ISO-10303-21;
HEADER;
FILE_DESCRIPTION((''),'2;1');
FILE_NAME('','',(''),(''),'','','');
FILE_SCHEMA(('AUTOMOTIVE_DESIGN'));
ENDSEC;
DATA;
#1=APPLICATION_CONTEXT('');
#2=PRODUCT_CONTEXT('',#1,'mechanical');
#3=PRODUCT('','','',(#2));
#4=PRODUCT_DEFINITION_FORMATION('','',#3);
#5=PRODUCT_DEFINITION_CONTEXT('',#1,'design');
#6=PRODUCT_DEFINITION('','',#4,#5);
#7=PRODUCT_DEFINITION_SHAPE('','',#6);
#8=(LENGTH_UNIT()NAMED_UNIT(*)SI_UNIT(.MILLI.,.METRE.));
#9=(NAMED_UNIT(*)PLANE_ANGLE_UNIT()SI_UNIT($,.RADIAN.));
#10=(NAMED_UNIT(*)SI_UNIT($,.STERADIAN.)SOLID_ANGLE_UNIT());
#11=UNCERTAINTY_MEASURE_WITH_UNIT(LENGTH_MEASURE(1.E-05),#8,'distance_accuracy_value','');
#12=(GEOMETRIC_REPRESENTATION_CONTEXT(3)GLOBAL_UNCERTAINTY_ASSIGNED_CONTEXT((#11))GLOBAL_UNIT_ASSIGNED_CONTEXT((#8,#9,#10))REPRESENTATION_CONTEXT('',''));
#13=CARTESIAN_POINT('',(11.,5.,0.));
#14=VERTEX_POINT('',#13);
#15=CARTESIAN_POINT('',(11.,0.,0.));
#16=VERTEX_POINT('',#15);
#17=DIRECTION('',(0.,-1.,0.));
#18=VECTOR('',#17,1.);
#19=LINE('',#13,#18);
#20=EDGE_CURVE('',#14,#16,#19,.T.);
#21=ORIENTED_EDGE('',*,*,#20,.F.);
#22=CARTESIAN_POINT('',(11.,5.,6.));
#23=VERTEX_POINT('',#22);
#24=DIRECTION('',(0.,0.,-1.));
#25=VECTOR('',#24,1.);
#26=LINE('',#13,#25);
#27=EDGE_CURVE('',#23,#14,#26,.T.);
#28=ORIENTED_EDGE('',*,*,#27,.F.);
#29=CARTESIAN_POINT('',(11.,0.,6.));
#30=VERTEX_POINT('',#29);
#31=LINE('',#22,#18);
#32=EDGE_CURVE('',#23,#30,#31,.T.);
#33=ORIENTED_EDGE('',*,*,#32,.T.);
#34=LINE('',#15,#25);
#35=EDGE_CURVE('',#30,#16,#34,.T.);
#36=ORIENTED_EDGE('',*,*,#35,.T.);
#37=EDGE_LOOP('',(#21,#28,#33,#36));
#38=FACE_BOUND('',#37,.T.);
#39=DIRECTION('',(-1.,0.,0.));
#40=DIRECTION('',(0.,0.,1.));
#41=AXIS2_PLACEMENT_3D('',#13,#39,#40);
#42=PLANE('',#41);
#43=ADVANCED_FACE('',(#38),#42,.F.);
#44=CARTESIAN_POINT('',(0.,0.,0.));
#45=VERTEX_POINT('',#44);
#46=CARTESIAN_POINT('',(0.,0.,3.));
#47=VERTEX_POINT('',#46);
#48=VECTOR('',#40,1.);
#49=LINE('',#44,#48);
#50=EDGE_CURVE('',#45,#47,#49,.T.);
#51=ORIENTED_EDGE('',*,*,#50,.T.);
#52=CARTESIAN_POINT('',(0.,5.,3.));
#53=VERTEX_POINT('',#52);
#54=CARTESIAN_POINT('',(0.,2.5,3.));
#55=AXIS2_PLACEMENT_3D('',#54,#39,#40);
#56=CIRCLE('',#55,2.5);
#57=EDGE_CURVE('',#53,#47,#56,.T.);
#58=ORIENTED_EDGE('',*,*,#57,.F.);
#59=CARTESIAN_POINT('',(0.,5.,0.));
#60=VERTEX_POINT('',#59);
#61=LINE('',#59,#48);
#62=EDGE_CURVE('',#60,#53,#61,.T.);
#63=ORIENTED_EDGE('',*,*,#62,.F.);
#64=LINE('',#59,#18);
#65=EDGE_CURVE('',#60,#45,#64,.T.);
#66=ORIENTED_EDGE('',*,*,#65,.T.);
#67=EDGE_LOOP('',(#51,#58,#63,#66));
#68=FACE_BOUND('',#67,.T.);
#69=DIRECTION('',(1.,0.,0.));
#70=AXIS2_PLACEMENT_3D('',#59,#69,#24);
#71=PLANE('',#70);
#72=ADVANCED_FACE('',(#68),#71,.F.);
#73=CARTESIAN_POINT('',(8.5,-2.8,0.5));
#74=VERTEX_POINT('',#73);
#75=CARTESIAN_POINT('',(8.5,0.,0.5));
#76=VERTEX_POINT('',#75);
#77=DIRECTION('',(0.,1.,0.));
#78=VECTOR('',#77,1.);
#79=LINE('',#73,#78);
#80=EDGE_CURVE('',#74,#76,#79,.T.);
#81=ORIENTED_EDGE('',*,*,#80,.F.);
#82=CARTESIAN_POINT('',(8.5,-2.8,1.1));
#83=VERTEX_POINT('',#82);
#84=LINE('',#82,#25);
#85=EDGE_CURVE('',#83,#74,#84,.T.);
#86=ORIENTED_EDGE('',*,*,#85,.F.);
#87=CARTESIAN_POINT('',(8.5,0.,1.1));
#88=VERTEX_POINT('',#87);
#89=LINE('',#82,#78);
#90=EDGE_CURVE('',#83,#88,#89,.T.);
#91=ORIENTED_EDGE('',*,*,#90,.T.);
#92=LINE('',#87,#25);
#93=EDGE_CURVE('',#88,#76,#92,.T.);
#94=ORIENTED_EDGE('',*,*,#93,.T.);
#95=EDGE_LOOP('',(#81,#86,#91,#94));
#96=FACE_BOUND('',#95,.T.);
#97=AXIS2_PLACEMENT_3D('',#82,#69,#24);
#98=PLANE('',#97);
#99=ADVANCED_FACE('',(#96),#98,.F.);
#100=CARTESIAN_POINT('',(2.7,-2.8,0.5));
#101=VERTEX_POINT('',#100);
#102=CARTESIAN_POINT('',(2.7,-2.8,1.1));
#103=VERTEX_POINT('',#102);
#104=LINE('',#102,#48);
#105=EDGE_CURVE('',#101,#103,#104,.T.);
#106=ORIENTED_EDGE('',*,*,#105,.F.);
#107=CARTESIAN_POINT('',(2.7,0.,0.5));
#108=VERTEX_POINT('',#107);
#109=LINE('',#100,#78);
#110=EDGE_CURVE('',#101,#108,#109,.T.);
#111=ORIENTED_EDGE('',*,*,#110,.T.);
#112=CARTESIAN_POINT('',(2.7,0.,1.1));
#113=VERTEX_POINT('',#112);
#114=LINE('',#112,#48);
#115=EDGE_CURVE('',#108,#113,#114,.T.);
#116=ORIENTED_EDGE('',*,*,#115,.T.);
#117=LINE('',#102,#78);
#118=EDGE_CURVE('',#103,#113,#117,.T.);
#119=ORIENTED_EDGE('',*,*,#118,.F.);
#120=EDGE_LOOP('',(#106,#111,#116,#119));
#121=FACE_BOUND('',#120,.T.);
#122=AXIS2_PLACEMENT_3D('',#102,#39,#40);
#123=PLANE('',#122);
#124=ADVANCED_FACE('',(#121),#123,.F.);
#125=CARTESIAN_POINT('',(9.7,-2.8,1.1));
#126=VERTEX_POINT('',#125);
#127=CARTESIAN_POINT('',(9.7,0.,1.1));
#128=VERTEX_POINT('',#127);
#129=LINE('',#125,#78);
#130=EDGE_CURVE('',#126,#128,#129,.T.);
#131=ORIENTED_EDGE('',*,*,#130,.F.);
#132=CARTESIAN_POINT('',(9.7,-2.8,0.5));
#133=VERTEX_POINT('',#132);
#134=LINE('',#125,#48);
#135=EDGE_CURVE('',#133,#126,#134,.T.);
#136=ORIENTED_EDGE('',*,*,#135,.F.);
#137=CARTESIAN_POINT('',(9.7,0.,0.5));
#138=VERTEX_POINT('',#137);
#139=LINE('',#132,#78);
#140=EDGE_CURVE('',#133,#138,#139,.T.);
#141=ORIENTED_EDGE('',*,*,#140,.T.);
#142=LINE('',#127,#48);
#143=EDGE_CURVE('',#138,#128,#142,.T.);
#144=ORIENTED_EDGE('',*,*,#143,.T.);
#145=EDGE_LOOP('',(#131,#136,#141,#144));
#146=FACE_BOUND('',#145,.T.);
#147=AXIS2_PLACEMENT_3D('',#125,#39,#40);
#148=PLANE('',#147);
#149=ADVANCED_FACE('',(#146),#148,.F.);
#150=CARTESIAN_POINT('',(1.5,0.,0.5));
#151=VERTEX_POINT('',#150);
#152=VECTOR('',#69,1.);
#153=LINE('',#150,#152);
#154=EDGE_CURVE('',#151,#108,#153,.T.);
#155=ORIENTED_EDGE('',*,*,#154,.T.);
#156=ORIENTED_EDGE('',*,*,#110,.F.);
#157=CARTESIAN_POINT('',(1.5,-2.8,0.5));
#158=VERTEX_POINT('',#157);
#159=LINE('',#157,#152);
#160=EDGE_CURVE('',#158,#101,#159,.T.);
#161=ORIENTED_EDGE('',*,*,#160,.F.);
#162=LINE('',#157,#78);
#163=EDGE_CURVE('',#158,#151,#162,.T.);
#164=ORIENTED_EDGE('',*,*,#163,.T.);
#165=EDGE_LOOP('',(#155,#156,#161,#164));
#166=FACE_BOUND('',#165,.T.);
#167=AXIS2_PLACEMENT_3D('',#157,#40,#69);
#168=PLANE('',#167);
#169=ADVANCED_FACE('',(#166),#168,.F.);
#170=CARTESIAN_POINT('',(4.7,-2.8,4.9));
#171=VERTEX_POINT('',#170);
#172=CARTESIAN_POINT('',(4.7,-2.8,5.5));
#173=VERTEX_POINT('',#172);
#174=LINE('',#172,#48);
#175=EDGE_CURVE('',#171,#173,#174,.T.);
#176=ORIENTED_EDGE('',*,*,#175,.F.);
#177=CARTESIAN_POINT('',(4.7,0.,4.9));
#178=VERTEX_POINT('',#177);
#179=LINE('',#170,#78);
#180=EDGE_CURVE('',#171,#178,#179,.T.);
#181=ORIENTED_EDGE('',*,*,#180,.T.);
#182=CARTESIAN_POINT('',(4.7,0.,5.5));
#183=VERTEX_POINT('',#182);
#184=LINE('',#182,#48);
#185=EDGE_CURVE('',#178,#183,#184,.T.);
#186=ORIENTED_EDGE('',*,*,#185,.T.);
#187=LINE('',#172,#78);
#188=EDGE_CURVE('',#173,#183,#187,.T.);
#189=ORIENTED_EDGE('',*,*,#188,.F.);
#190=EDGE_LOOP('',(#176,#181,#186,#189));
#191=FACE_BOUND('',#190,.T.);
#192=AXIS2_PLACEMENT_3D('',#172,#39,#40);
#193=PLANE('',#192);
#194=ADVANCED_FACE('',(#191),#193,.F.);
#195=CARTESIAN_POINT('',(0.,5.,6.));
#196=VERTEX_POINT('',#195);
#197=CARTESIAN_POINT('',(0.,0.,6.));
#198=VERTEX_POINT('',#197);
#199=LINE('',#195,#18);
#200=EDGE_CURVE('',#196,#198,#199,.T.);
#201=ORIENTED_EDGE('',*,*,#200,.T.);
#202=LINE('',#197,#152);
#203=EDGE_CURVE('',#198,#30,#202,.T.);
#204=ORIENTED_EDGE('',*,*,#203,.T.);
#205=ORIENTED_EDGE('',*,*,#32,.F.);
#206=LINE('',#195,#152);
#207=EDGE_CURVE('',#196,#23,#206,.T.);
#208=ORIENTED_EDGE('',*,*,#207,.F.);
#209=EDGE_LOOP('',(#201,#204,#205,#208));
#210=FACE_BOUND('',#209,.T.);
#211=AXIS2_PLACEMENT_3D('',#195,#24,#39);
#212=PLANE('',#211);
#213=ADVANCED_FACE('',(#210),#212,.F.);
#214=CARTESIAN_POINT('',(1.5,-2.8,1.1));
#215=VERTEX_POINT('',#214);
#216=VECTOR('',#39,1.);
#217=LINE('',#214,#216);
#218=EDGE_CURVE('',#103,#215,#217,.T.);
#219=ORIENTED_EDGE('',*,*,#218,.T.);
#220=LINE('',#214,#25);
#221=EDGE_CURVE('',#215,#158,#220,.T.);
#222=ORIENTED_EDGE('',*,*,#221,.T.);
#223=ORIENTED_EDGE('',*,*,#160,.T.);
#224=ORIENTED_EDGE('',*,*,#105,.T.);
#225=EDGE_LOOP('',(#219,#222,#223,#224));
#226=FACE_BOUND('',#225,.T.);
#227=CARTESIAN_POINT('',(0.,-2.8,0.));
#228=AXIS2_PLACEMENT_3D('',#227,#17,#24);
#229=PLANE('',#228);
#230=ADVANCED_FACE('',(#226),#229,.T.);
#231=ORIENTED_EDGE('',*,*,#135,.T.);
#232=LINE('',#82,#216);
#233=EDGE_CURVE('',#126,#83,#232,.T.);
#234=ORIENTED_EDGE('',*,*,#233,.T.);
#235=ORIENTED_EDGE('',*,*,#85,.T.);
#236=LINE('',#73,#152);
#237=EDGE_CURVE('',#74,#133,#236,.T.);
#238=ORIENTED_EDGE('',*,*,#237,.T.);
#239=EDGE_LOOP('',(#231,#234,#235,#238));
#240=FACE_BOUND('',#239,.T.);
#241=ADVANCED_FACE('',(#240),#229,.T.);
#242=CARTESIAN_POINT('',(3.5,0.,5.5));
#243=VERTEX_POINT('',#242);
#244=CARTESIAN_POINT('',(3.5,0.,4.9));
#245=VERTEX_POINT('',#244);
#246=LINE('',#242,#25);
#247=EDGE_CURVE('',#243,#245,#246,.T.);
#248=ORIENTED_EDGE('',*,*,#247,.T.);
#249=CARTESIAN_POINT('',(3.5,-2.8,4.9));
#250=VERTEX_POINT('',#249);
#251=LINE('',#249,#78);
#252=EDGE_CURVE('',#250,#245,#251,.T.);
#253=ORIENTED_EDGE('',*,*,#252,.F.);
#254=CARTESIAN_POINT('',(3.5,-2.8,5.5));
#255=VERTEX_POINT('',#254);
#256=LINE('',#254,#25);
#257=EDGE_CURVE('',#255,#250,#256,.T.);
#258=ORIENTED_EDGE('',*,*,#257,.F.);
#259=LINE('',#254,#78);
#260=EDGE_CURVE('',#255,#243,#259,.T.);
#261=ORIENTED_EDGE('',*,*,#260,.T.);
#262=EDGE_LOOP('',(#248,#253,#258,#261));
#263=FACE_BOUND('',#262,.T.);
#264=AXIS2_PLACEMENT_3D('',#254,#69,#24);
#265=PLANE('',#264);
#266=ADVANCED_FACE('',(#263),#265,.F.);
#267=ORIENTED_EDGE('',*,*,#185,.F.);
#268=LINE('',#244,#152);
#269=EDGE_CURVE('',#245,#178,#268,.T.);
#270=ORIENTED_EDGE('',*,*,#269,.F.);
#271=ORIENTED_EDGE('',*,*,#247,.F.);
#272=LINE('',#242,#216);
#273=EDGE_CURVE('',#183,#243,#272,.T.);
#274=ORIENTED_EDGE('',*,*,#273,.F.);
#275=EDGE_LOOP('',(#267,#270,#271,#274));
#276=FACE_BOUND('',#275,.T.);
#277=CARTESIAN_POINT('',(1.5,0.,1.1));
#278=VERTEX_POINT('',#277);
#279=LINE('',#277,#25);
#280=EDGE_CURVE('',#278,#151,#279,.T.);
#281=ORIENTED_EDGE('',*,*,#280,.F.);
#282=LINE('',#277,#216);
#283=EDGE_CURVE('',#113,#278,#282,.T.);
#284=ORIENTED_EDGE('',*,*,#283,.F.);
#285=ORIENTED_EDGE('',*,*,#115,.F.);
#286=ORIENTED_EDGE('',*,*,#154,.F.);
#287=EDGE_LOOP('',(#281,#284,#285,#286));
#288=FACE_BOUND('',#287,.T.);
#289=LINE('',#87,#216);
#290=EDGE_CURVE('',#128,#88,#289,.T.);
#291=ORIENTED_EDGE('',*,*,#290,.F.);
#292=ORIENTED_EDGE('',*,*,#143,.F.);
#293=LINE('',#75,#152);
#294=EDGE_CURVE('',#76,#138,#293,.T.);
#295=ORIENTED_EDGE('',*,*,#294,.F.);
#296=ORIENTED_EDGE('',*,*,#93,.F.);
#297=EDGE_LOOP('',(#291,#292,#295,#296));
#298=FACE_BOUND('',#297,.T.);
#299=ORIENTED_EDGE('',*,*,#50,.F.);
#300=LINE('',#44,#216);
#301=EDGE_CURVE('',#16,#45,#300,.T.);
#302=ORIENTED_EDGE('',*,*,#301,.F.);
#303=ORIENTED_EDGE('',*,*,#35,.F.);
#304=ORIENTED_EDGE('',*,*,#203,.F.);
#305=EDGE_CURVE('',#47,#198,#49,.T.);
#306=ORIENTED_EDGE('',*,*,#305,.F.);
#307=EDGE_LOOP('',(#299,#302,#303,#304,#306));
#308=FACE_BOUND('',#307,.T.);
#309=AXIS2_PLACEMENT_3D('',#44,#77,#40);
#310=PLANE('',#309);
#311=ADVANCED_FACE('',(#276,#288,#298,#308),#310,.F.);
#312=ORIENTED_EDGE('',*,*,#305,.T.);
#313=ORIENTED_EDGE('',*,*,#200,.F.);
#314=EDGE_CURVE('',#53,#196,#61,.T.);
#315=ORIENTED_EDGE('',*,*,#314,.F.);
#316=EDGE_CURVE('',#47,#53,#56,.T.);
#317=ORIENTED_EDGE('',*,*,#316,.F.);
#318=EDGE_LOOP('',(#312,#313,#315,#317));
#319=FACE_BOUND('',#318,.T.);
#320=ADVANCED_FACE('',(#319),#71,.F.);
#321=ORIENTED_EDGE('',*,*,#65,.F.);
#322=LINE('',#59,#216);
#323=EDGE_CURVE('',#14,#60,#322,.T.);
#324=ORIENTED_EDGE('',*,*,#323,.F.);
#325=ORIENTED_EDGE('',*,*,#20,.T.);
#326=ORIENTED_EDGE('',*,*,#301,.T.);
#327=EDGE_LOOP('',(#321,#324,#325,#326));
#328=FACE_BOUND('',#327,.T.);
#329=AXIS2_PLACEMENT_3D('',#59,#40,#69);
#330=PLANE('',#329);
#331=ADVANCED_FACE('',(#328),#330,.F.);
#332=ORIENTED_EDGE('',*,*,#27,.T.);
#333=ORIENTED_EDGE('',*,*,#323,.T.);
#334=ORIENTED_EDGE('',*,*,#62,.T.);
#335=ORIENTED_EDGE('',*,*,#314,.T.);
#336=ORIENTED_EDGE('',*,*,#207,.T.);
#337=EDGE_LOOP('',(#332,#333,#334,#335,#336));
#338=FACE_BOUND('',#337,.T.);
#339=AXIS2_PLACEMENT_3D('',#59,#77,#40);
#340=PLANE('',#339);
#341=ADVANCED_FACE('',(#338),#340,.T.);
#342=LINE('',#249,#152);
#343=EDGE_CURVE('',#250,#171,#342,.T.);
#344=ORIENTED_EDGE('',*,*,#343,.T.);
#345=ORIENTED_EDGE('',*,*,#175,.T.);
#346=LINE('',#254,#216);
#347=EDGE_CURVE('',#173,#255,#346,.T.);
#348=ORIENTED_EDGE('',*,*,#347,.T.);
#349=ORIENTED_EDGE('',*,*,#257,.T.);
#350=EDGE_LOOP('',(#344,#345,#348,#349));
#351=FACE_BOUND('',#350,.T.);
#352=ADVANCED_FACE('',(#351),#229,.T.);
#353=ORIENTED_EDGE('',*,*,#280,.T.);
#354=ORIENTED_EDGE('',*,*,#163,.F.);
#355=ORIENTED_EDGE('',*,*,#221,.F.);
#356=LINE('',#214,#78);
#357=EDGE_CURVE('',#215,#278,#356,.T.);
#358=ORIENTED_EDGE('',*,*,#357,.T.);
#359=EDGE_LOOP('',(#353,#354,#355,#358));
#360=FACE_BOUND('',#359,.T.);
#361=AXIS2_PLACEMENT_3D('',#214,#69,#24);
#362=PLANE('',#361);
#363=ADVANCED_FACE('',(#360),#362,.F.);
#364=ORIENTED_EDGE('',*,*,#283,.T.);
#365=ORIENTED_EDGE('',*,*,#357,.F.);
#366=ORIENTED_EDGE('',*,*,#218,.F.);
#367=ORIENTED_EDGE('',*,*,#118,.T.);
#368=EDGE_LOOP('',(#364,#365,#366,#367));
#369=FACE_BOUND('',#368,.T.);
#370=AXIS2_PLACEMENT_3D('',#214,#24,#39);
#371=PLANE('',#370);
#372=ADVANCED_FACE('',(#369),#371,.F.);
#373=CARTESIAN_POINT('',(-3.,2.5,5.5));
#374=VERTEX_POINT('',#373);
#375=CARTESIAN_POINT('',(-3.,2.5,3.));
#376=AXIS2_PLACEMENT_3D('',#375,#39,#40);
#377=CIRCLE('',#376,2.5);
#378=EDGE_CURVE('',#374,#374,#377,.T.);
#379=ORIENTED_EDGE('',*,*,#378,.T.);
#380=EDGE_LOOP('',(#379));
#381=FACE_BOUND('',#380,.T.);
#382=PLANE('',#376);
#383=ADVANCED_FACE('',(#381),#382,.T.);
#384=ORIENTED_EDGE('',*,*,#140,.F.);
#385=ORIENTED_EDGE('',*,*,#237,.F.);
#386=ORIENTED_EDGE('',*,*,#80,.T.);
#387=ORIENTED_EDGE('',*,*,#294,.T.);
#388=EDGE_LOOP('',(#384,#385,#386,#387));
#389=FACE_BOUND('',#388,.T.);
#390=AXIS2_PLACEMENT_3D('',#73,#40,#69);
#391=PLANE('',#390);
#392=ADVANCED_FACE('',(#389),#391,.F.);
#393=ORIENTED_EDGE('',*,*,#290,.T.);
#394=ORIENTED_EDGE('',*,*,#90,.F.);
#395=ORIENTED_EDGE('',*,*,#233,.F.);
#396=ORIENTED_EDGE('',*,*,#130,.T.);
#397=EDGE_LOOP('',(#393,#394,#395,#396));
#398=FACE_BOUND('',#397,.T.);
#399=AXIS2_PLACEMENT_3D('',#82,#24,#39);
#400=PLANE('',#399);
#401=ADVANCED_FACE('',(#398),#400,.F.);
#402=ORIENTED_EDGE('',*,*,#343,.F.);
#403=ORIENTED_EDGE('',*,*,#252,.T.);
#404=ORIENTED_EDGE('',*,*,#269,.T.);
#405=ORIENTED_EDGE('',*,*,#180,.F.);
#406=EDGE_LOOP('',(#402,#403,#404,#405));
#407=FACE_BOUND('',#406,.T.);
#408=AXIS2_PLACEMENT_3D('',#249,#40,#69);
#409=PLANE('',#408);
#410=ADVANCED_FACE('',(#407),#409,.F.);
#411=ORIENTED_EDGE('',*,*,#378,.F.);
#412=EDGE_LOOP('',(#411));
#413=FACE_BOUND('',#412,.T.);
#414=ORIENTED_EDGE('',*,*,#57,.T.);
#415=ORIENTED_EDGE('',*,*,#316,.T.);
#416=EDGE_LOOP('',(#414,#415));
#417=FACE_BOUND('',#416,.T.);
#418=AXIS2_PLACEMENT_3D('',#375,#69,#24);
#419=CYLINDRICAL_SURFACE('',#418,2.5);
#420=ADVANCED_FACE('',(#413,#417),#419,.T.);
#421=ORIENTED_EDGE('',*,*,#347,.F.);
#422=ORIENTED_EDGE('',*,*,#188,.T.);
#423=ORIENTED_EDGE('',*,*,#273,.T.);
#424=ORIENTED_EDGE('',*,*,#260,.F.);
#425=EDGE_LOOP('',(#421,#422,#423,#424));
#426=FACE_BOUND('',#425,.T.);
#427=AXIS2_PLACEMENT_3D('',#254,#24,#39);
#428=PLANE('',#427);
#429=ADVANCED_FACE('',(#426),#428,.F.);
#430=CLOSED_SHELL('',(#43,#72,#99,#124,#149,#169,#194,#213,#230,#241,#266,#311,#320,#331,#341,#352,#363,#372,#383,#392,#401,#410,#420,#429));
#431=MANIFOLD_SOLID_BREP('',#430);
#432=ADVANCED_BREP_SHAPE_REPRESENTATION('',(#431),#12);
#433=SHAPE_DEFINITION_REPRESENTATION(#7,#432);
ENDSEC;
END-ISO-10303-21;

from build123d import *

# Parameters (mm, degrees)
SKETCH1_W           = 11
SKETCH1_H           = 6
BOSS_EXTRUDE1_DEPTH = 5
SKETCH2_R           = 2.5
BOSS_EXTRUDE2_DEPTH = 3
SKETCH3_W           = 1.2
SKETCH3_H           = 0.6
BOSS_EXTRUDE3_DEPTH = 2.8


with BuildPart() as part:
    # Sketch1 → Boss-Extrude1 (new body)
    with BuildSketch(Plane(origin=(0, 0, 0), x_dir=(1, 0, 0), z_dir=(0, 1, 0))):
        with Locations((5.5, -3)):
            Rectangle(SKETCH1_W, SKETCH1_H)
    extrude(amount=BOSS_EXTRUDE1_DEPTH)

    # Sketch2 → Boss-Extrude2 (add)
    with BuildSketch(Plane.ZY):
        with Locations((3, 2.5)):
            Circle(SKETCH2_R)
    extrude(amount=BOSS_EXTRUDE2_DEPTH)

    # Sketch3 → Boss-Extrude3 (add)
    with BuildSketch(Plane(origin=(0, 0, 0), x_dir=(-1, 0, 0), z_dir=(0, -1, 0))):
        with Locations((-2.1, -0.8)):
            Rectangle(SKETCH3_W, SKETCH3_H)
        with Locations((-9.1, -0.8)):
            Rectangle(SKETCH3_W, SKETCH3_H)
        with Locations((-4.1, -5.2)):
            Rectangle(SKETCH3_W, SKETCH3_H)
    extrude(amount=BOSS_EXTRUDE3_DEPTH)


solid = part.part
